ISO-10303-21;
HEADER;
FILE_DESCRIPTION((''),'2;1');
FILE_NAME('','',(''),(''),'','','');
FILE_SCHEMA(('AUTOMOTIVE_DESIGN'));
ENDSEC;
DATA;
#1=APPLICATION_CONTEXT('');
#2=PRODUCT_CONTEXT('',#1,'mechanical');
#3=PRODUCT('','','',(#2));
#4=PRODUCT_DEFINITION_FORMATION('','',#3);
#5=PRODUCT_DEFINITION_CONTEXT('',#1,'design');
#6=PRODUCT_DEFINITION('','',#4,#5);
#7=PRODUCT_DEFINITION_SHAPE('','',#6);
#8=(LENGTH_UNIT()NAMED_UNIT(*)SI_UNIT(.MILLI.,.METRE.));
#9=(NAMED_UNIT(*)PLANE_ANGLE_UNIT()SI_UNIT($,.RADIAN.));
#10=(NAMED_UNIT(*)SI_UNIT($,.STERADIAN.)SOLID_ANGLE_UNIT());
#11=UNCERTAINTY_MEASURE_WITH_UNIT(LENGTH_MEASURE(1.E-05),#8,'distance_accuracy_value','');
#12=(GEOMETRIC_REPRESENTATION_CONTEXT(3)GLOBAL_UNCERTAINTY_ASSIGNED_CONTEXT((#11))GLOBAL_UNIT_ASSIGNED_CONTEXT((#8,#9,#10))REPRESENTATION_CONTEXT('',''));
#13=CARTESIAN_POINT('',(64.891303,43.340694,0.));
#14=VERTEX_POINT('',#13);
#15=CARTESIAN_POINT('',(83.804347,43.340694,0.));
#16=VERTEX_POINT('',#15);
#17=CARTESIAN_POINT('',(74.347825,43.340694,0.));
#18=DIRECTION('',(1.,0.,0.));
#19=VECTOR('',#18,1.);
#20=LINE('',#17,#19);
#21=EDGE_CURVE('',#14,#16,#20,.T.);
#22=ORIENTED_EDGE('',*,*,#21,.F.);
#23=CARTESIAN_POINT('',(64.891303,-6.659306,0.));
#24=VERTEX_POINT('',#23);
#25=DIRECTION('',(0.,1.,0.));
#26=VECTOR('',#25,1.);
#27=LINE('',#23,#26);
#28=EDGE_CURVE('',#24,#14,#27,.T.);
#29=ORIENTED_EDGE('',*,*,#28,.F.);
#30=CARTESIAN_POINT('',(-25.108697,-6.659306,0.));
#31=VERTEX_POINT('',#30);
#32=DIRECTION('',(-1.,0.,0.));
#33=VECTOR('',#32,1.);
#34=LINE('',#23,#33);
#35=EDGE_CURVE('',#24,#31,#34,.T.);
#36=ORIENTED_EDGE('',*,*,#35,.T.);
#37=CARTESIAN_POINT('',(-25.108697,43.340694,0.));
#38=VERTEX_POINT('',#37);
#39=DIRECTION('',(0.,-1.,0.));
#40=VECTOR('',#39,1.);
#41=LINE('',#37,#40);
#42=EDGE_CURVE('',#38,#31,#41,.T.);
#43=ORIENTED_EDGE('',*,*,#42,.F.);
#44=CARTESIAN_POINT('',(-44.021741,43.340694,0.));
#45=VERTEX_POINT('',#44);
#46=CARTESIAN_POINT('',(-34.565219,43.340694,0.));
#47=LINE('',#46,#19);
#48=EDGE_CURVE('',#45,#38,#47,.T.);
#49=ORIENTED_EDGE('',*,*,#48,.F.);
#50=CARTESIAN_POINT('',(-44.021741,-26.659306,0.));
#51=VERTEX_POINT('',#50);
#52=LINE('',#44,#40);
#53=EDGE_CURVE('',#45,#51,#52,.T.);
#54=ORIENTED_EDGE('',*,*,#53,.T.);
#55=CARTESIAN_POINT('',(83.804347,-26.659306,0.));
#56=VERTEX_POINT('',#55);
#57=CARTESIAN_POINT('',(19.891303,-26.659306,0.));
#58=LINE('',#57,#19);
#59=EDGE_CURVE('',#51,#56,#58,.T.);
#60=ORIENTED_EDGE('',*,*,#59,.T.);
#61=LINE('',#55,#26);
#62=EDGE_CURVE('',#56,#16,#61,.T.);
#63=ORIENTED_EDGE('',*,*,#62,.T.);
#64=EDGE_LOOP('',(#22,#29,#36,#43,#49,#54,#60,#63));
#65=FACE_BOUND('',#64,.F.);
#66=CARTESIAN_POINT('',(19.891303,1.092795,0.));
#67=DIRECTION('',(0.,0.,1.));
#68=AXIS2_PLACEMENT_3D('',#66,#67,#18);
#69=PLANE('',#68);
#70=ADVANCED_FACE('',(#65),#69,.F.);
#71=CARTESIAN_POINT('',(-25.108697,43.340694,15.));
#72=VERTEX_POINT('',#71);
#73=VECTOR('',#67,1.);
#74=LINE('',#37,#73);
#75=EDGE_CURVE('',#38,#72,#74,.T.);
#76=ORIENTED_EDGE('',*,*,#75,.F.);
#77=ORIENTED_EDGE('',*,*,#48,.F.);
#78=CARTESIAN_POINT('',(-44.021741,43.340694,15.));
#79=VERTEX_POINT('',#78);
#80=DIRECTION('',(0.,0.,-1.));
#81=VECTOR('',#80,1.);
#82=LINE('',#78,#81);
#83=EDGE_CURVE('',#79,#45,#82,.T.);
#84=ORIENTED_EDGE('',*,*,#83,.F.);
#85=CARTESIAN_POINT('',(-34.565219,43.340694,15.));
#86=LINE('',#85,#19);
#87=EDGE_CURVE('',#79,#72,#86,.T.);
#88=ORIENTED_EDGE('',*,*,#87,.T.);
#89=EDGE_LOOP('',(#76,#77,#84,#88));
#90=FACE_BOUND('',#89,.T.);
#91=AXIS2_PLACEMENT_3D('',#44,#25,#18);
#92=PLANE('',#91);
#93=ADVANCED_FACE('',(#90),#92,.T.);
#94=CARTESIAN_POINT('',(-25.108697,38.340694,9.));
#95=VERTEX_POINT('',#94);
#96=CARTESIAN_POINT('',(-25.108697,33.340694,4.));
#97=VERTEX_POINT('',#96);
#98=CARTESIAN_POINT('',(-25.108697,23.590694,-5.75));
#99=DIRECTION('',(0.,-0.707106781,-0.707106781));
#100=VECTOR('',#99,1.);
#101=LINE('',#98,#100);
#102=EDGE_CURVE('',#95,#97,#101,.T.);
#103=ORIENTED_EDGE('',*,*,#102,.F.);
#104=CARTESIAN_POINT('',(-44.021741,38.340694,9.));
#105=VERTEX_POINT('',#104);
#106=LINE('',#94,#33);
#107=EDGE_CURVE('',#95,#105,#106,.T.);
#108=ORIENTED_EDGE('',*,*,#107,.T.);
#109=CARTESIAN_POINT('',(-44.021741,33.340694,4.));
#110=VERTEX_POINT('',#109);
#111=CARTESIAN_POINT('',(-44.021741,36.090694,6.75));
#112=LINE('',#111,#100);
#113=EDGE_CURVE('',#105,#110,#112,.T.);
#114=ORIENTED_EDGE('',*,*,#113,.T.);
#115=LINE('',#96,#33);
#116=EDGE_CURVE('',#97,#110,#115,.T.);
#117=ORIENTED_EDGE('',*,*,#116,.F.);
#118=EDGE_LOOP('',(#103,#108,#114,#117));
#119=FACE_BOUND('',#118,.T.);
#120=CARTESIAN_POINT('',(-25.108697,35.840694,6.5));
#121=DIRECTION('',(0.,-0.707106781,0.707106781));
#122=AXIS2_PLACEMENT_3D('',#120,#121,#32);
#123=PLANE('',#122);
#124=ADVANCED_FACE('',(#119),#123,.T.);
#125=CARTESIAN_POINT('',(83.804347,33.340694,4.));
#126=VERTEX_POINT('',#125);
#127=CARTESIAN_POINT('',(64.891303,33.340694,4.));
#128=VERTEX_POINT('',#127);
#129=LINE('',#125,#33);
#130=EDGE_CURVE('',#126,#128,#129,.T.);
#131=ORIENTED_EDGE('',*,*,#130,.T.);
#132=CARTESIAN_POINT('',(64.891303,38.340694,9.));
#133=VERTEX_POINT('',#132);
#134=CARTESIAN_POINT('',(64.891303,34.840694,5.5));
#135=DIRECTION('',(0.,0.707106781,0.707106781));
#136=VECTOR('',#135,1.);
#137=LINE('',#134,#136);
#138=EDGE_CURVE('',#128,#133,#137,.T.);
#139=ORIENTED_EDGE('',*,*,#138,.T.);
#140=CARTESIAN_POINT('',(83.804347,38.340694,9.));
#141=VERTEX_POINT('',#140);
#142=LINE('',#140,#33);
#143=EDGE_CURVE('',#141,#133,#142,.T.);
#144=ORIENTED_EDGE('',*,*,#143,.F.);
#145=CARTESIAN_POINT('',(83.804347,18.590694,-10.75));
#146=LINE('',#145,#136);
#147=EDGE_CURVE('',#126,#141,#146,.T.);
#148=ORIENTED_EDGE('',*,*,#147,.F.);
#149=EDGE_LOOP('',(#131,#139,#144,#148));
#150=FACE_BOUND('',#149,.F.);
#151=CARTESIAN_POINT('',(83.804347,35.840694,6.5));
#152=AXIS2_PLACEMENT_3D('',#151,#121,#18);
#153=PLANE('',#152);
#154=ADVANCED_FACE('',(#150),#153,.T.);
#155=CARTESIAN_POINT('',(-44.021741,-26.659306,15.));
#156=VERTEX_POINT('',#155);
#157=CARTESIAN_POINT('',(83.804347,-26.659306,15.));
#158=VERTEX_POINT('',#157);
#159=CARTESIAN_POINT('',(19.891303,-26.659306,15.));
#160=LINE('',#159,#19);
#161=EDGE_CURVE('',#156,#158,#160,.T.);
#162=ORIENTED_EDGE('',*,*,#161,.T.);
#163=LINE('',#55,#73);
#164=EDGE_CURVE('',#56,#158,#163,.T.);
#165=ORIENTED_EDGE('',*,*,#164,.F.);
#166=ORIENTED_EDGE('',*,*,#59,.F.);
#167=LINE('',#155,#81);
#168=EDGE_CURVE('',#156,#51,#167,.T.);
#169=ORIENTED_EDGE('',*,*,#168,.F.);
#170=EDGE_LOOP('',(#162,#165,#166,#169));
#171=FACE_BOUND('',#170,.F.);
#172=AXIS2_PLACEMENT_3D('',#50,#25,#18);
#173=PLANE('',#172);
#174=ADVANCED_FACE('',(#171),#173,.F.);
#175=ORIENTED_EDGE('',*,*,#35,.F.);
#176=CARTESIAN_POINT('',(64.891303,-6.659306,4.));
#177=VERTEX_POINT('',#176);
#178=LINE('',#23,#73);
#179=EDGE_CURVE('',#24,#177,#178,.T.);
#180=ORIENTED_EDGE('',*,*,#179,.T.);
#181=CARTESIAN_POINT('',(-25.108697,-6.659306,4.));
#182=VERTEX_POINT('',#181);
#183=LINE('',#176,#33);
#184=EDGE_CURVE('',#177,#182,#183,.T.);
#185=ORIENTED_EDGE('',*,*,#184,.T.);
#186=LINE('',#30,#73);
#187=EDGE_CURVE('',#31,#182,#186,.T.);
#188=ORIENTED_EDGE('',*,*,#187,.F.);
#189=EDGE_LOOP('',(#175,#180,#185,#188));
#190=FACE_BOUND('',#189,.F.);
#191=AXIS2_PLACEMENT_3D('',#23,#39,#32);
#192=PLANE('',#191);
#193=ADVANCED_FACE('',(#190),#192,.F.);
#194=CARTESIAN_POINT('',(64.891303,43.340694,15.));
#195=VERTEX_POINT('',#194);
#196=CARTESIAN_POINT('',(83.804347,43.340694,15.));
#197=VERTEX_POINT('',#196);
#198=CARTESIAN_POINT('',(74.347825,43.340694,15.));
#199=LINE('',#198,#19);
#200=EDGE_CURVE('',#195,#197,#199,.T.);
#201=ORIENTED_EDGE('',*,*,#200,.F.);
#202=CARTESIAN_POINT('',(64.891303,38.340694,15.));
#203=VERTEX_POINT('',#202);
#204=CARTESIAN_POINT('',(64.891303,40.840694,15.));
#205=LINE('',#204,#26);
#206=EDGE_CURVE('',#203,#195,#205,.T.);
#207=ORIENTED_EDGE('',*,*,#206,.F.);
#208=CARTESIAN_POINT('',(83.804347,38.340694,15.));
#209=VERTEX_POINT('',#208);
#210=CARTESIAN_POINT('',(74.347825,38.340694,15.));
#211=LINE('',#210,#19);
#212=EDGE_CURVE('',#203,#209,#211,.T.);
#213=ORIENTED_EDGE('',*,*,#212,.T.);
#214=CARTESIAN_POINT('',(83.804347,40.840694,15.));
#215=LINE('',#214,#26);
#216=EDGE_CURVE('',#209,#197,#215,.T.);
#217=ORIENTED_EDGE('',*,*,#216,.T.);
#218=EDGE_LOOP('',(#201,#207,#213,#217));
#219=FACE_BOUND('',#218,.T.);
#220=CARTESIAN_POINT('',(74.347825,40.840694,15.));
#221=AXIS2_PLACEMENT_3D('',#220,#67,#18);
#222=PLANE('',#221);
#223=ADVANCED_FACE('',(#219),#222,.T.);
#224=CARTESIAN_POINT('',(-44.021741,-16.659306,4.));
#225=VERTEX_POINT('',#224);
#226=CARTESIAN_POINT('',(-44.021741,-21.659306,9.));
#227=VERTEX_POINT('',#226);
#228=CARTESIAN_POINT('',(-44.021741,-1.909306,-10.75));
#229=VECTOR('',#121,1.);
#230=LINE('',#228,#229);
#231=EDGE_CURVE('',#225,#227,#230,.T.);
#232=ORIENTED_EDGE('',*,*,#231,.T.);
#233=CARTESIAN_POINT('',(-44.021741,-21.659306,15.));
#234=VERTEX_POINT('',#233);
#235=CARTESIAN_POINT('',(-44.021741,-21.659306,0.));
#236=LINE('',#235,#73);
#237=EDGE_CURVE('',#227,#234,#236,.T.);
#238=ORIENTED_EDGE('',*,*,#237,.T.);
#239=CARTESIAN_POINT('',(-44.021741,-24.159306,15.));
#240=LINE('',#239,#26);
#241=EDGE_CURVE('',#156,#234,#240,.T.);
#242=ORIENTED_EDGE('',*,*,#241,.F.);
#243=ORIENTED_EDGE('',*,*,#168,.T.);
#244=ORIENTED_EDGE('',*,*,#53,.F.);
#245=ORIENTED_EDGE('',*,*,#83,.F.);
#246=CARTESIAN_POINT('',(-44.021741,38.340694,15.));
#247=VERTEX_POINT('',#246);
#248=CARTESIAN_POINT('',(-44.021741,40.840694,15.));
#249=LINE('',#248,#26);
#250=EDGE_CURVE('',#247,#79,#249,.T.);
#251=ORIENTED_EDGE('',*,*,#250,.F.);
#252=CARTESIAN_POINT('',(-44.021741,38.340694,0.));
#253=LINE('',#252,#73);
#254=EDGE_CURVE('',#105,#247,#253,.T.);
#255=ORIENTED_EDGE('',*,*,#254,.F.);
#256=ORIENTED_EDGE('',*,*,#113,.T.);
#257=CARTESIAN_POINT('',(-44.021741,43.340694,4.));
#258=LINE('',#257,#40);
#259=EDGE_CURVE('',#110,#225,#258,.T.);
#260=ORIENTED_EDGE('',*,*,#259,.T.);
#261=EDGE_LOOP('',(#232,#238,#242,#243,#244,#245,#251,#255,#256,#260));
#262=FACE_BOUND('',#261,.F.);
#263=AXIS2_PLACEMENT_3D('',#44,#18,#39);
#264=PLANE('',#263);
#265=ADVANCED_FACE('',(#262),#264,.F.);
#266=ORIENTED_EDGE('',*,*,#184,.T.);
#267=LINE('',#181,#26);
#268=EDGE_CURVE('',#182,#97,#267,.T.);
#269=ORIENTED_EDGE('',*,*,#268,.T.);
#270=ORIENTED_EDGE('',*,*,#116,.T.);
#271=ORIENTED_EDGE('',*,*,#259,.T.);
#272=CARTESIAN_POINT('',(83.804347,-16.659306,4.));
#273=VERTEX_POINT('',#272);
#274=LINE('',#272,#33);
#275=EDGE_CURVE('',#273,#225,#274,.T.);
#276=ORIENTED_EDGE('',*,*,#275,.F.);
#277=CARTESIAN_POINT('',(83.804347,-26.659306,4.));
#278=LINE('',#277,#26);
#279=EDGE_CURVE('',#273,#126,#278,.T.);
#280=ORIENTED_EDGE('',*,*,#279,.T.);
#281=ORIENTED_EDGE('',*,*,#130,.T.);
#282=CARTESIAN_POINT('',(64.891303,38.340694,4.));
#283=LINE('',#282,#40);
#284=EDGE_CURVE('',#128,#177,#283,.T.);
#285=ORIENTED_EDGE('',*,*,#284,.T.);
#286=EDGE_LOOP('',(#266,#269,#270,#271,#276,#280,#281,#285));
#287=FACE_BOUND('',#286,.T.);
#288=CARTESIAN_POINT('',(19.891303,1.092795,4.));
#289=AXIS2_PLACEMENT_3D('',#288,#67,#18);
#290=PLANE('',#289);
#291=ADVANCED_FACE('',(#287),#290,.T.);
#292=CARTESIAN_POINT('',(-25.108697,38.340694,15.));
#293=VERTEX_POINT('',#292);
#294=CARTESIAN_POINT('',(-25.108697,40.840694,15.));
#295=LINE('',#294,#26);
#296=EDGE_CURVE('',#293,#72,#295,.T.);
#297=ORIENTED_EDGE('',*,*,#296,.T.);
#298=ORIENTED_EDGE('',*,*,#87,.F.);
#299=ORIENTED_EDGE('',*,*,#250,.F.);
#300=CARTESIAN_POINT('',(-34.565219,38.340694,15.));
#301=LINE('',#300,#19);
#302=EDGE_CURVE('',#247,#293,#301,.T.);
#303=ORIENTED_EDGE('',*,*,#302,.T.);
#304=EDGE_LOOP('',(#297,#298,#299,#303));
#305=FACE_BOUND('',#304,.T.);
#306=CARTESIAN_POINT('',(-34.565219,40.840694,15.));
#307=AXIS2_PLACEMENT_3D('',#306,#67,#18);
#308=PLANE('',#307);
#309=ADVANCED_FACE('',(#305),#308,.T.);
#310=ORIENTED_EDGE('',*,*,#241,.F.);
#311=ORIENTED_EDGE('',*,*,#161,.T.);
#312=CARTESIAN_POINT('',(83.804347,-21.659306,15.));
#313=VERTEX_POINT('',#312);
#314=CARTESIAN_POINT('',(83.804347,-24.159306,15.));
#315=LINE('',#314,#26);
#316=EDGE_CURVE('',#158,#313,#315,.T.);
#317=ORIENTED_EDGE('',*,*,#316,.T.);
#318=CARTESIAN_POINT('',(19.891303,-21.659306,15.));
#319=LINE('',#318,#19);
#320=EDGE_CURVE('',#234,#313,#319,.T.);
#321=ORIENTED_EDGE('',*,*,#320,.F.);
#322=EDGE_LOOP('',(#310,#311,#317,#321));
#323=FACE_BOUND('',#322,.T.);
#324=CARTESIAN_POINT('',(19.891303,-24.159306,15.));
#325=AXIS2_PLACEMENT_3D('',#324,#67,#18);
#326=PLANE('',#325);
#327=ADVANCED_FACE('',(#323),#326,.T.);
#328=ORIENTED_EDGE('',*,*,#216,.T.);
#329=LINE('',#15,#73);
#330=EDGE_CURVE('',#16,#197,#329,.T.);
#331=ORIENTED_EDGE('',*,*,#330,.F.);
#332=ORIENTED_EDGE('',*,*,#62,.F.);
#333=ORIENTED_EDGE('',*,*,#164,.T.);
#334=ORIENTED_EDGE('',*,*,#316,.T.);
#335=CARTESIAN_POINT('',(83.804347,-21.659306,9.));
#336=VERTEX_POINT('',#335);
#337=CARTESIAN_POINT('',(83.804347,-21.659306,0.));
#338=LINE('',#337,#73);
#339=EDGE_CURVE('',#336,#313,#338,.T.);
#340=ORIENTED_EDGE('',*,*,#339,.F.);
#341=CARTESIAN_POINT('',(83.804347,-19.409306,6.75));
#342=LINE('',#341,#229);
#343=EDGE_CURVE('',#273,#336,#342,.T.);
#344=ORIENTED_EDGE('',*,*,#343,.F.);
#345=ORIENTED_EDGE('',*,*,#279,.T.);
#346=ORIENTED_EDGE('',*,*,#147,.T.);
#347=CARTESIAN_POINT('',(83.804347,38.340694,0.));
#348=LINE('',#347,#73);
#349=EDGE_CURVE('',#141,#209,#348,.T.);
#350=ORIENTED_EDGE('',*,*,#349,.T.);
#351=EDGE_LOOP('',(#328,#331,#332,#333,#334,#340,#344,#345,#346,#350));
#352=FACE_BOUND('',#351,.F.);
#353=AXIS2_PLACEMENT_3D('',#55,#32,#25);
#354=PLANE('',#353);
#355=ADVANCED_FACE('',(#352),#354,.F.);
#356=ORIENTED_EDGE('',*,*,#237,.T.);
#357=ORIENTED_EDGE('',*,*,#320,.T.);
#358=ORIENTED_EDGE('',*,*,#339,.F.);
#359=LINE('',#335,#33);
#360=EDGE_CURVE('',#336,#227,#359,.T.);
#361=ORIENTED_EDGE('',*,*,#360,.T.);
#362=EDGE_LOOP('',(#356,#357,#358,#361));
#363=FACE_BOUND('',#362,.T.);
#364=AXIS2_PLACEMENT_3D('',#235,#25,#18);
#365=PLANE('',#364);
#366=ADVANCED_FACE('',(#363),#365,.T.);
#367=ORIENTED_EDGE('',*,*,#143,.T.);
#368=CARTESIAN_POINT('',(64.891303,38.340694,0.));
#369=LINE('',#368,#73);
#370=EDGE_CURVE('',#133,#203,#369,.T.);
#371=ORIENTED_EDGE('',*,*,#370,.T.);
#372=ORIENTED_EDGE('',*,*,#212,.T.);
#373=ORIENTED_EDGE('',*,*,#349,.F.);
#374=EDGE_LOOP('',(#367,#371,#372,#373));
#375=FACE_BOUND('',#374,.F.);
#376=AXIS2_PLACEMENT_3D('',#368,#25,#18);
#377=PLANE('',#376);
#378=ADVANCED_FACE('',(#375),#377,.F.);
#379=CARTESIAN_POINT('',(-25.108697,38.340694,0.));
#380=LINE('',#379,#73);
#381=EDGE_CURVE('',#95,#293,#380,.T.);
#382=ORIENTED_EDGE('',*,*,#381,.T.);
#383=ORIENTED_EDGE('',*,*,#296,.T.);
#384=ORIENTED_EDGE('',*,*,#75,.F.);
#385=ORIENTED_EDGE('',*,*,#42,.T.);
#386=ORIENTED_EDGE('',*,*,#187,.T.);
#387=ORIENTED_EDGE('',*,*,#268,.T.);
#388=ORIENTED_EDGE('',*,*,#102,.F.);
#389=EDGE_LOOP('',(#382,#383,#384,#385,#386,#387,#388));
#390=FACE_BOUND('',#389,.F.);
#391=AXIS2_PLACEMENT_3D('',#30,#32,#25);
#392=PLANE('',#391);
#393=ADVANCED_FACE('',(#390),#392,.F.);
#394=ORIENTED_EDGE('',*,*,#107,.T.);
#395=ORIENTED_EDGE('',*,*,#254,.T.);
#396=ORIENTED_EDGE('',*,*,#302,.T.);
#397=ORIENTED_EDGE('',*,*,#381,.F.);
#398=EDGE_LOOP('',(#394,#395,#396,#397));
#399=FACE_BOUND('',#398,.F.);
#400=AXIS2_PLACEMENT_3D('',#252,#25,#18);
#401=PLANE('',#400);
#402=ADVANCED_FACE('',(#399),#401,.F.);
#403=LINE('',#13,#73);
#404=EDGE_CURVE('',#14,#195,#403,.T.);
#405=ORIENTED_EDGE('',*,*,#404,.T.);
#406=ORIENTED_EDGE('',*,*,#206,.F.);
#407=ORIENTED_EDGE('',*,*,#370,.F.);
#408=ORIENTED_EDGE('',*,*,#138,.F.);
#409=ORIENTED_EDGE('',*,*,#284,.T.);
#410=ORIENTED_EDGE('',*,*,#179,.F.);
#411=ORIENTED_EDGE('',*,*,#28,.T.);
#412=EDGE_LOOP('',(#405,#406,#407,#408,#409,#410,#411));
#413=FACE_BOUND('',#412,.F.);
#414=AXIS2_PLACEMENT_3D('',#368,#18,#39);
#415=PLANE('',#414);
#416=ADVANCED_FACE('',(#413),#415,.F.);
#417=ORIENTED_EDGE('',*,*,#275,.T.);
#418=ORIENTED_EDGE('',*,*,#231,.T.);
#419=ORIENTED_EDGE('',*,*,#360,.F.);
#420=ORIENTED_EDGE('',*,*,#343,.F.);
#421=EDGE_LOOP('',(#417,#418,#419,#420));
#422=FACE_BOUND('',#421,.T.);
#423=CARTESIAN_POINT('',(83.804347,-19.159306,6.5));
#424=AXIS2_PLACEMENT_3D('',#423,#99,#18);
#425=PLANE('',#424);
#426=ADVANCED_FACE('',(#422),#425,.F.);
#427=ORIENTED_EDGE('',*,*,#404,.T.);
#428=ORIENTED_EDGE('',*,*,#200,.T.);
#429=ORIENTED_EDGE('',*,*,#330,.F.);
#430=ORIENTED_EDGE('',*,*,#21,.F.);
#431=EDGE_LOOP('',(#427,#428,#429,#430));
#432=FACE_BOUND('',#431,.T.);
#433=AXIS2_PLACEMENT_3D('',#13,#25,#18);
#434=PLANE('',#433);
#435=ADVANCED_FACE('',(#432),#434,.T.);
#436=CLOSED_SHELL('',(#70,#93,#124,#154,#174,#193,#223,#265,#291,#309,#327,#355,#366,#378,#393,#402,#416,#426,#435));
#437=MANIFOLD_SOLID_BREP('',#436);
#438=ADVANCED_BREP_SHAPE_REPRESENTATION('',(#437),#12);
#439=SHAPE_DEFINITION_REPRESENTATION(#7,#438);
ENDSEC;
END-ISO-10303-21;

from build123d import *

# Parameters (mm, degrees)
F0_W     = 127.826088
F0_H     = 5
F0_W_2   = 18.913044
F1_DEPTH = 4
F2_DEPTH = 15
F3_SIZE  = 5


with BuildPart() as f1:
    # F0 (on Top) → F1 (new body)
    with BuildSketch(Plane.XY):
        Polygon((-25.108697, 38.340694), (-44.021741, 38.340694), (-44.021741, -21.659306), (83.804347, -21.659306), (83.804347, 38.340694), (64.891303, 38.340694), (64.891303, -6.659306), (-25.108697, -6.659306), align=None)
        with Locations((19.891303, -24.159306)):
            Rectangle(F0_W, F0_H)
        with Locations((-34.565219, 40.840694)):
            Rectangle(F0_W_2, F0_H)
    extrude(amount=F1_DEPTH)

    # F0 (on Top) → F2 (join)
    with BuildSketch(Plane.XY):
        with Locations((19.891303, -24.159306)):
            Rectangle(F0_W, F0_H)
        with Locations((-34.565219, 40.840694)):
            Rectangle(F0_W_2, F0_H)
        with Locations((74.347825, 40.840694)):
            Rectangle(F0_W_2, F0_H)
    extrude(amount=F2_DEPTH)

    # F3
    f3_edges = [f1.edges().sort_by_distance(p)[0] for p in [
        (19.891303, -21.659306, 4),
        (-34.565219, 38.340694, 4),
        (74.347825, 38.340694, 4),
    ]]
    chamfer(f3_edges, length=F3_SIZE)


solid = f1.part
